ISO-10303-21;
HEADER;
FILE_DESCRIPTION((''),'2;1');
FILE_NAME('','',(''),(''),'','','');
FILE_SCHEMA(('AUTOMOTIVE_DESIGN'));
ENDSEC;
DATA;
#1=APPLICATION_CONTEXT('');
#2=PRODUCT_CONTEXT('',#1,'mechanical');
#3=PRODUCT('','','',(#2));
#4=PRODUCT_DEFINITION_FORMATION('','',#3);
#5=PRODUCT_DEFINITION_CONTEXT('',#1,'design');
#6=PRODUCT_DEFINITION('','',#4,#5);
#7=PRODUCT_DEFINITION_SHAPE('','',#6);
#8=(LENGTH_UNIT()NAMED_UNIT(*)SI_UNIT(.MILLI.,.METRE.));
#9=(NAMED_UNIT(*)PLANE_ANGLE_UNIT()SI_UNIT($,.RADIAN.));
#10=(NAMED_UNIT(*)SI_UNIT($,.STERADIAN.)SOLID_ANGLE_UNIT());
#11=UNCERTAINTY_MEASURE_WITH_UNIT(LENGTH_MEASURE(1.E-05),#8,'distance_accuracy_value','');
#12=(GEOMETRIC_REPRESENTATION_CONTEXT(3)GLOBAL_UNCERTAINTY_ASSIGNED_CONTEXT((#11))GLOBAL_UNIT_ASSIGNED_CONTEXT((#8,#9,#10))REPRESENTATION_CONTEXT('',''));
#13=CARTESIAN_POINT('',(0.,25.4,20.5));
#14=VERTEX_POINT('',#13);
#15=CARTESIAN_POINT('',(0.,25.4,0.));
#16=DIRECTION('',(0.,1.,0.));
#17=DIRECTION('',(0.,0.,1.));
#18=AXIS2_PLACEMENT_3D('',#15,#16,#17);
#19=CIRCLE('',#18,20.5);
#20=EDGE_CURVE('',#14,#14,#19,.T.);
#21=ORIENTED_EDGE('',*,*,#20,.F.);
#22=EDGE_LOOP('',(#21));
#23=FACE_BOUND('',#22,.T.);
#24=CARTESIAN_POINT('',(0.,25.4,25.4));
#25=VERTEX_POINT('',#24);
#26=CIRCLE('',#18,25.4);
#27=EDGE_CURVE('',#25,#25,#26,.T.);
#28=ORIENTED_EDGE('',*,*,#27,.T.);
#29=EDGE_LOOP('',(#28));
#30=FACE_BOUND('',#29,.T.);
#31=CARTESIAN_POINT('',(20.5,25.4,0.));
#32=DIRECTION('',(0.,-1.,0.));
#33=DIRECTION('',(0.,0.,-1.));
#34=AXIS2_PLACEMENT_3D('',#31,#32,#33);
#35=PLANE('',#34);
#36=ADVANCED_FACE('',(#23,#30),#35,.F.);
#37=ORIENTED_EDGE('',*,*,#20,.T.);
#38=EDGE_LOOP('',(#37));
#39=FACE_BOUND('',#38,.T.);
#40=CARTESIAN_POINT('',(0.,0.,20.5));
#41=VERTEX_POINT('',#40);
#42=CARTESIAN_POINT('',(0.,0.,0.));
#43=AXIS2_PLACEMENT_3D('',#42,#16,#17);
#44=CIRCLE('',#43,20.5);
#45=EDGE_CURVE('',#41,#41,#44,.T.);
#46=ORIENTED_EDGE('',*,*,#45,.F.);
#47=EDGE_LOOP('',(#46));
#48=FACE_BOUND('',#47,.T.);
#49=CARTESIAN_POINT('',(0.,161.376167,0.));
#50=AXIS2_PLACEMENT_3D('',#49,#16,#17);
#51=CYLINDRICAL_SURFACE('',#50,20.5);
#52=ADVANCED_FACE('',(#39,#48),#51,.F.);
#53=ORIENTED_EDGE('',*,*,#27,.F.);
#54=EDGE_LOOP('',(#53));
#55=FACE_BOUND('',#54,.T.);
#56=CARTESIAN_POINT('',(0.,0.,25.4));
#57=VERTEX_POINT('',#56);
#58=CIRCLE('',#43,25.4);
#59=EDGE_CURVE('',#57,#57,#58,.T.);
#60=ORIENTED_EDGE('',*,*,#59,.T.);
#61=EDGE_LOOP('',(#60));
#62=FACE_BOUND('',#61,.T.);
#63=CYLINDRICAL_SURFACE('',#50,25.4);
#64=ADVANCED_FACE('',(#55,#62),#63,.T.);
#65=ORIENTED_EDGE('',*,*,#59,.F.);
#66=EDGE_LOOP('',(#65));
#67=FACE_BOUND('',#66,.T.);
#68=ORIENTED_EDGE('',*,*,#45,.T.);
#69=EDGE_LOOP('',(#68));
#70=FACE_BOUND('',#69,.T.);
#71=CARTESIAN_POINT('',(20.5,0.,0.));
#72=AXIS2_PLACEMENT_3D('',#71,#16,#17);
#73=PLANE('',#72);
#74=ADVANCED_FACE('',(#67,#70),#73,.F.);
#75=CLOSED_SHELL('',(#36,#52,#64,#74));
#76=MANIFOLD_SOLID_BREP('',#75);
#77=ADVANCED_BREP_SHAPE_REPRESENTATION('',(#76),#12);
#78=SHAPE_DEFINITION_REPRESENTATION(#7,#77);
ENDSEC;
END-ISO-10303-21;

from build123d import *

# Parameters (mm, degrees)
SKETCH_1_W = 4.9
SKETCH_1_H = 25.4


with BuildPart() as part:
    # 草图1 → 旋转1 (revolve)
    with BuildSketch(Plane.XY, mode=Mode.PRIVATE) as revolve_1_sk:
        with Locations((22.95, 12.7)):
            Rectangle(SKETCH_1_W, SKETCH_1_H)
    revolve(revolve_1_sk.sketch.rotate(Axis((0, 161.376166943, 0), (0, -1, 0)), 90), axis=Axis((0, 161.376166943, 0), (0, -1, 0)))  # turned: the seam where the file's is


solid = part.part
